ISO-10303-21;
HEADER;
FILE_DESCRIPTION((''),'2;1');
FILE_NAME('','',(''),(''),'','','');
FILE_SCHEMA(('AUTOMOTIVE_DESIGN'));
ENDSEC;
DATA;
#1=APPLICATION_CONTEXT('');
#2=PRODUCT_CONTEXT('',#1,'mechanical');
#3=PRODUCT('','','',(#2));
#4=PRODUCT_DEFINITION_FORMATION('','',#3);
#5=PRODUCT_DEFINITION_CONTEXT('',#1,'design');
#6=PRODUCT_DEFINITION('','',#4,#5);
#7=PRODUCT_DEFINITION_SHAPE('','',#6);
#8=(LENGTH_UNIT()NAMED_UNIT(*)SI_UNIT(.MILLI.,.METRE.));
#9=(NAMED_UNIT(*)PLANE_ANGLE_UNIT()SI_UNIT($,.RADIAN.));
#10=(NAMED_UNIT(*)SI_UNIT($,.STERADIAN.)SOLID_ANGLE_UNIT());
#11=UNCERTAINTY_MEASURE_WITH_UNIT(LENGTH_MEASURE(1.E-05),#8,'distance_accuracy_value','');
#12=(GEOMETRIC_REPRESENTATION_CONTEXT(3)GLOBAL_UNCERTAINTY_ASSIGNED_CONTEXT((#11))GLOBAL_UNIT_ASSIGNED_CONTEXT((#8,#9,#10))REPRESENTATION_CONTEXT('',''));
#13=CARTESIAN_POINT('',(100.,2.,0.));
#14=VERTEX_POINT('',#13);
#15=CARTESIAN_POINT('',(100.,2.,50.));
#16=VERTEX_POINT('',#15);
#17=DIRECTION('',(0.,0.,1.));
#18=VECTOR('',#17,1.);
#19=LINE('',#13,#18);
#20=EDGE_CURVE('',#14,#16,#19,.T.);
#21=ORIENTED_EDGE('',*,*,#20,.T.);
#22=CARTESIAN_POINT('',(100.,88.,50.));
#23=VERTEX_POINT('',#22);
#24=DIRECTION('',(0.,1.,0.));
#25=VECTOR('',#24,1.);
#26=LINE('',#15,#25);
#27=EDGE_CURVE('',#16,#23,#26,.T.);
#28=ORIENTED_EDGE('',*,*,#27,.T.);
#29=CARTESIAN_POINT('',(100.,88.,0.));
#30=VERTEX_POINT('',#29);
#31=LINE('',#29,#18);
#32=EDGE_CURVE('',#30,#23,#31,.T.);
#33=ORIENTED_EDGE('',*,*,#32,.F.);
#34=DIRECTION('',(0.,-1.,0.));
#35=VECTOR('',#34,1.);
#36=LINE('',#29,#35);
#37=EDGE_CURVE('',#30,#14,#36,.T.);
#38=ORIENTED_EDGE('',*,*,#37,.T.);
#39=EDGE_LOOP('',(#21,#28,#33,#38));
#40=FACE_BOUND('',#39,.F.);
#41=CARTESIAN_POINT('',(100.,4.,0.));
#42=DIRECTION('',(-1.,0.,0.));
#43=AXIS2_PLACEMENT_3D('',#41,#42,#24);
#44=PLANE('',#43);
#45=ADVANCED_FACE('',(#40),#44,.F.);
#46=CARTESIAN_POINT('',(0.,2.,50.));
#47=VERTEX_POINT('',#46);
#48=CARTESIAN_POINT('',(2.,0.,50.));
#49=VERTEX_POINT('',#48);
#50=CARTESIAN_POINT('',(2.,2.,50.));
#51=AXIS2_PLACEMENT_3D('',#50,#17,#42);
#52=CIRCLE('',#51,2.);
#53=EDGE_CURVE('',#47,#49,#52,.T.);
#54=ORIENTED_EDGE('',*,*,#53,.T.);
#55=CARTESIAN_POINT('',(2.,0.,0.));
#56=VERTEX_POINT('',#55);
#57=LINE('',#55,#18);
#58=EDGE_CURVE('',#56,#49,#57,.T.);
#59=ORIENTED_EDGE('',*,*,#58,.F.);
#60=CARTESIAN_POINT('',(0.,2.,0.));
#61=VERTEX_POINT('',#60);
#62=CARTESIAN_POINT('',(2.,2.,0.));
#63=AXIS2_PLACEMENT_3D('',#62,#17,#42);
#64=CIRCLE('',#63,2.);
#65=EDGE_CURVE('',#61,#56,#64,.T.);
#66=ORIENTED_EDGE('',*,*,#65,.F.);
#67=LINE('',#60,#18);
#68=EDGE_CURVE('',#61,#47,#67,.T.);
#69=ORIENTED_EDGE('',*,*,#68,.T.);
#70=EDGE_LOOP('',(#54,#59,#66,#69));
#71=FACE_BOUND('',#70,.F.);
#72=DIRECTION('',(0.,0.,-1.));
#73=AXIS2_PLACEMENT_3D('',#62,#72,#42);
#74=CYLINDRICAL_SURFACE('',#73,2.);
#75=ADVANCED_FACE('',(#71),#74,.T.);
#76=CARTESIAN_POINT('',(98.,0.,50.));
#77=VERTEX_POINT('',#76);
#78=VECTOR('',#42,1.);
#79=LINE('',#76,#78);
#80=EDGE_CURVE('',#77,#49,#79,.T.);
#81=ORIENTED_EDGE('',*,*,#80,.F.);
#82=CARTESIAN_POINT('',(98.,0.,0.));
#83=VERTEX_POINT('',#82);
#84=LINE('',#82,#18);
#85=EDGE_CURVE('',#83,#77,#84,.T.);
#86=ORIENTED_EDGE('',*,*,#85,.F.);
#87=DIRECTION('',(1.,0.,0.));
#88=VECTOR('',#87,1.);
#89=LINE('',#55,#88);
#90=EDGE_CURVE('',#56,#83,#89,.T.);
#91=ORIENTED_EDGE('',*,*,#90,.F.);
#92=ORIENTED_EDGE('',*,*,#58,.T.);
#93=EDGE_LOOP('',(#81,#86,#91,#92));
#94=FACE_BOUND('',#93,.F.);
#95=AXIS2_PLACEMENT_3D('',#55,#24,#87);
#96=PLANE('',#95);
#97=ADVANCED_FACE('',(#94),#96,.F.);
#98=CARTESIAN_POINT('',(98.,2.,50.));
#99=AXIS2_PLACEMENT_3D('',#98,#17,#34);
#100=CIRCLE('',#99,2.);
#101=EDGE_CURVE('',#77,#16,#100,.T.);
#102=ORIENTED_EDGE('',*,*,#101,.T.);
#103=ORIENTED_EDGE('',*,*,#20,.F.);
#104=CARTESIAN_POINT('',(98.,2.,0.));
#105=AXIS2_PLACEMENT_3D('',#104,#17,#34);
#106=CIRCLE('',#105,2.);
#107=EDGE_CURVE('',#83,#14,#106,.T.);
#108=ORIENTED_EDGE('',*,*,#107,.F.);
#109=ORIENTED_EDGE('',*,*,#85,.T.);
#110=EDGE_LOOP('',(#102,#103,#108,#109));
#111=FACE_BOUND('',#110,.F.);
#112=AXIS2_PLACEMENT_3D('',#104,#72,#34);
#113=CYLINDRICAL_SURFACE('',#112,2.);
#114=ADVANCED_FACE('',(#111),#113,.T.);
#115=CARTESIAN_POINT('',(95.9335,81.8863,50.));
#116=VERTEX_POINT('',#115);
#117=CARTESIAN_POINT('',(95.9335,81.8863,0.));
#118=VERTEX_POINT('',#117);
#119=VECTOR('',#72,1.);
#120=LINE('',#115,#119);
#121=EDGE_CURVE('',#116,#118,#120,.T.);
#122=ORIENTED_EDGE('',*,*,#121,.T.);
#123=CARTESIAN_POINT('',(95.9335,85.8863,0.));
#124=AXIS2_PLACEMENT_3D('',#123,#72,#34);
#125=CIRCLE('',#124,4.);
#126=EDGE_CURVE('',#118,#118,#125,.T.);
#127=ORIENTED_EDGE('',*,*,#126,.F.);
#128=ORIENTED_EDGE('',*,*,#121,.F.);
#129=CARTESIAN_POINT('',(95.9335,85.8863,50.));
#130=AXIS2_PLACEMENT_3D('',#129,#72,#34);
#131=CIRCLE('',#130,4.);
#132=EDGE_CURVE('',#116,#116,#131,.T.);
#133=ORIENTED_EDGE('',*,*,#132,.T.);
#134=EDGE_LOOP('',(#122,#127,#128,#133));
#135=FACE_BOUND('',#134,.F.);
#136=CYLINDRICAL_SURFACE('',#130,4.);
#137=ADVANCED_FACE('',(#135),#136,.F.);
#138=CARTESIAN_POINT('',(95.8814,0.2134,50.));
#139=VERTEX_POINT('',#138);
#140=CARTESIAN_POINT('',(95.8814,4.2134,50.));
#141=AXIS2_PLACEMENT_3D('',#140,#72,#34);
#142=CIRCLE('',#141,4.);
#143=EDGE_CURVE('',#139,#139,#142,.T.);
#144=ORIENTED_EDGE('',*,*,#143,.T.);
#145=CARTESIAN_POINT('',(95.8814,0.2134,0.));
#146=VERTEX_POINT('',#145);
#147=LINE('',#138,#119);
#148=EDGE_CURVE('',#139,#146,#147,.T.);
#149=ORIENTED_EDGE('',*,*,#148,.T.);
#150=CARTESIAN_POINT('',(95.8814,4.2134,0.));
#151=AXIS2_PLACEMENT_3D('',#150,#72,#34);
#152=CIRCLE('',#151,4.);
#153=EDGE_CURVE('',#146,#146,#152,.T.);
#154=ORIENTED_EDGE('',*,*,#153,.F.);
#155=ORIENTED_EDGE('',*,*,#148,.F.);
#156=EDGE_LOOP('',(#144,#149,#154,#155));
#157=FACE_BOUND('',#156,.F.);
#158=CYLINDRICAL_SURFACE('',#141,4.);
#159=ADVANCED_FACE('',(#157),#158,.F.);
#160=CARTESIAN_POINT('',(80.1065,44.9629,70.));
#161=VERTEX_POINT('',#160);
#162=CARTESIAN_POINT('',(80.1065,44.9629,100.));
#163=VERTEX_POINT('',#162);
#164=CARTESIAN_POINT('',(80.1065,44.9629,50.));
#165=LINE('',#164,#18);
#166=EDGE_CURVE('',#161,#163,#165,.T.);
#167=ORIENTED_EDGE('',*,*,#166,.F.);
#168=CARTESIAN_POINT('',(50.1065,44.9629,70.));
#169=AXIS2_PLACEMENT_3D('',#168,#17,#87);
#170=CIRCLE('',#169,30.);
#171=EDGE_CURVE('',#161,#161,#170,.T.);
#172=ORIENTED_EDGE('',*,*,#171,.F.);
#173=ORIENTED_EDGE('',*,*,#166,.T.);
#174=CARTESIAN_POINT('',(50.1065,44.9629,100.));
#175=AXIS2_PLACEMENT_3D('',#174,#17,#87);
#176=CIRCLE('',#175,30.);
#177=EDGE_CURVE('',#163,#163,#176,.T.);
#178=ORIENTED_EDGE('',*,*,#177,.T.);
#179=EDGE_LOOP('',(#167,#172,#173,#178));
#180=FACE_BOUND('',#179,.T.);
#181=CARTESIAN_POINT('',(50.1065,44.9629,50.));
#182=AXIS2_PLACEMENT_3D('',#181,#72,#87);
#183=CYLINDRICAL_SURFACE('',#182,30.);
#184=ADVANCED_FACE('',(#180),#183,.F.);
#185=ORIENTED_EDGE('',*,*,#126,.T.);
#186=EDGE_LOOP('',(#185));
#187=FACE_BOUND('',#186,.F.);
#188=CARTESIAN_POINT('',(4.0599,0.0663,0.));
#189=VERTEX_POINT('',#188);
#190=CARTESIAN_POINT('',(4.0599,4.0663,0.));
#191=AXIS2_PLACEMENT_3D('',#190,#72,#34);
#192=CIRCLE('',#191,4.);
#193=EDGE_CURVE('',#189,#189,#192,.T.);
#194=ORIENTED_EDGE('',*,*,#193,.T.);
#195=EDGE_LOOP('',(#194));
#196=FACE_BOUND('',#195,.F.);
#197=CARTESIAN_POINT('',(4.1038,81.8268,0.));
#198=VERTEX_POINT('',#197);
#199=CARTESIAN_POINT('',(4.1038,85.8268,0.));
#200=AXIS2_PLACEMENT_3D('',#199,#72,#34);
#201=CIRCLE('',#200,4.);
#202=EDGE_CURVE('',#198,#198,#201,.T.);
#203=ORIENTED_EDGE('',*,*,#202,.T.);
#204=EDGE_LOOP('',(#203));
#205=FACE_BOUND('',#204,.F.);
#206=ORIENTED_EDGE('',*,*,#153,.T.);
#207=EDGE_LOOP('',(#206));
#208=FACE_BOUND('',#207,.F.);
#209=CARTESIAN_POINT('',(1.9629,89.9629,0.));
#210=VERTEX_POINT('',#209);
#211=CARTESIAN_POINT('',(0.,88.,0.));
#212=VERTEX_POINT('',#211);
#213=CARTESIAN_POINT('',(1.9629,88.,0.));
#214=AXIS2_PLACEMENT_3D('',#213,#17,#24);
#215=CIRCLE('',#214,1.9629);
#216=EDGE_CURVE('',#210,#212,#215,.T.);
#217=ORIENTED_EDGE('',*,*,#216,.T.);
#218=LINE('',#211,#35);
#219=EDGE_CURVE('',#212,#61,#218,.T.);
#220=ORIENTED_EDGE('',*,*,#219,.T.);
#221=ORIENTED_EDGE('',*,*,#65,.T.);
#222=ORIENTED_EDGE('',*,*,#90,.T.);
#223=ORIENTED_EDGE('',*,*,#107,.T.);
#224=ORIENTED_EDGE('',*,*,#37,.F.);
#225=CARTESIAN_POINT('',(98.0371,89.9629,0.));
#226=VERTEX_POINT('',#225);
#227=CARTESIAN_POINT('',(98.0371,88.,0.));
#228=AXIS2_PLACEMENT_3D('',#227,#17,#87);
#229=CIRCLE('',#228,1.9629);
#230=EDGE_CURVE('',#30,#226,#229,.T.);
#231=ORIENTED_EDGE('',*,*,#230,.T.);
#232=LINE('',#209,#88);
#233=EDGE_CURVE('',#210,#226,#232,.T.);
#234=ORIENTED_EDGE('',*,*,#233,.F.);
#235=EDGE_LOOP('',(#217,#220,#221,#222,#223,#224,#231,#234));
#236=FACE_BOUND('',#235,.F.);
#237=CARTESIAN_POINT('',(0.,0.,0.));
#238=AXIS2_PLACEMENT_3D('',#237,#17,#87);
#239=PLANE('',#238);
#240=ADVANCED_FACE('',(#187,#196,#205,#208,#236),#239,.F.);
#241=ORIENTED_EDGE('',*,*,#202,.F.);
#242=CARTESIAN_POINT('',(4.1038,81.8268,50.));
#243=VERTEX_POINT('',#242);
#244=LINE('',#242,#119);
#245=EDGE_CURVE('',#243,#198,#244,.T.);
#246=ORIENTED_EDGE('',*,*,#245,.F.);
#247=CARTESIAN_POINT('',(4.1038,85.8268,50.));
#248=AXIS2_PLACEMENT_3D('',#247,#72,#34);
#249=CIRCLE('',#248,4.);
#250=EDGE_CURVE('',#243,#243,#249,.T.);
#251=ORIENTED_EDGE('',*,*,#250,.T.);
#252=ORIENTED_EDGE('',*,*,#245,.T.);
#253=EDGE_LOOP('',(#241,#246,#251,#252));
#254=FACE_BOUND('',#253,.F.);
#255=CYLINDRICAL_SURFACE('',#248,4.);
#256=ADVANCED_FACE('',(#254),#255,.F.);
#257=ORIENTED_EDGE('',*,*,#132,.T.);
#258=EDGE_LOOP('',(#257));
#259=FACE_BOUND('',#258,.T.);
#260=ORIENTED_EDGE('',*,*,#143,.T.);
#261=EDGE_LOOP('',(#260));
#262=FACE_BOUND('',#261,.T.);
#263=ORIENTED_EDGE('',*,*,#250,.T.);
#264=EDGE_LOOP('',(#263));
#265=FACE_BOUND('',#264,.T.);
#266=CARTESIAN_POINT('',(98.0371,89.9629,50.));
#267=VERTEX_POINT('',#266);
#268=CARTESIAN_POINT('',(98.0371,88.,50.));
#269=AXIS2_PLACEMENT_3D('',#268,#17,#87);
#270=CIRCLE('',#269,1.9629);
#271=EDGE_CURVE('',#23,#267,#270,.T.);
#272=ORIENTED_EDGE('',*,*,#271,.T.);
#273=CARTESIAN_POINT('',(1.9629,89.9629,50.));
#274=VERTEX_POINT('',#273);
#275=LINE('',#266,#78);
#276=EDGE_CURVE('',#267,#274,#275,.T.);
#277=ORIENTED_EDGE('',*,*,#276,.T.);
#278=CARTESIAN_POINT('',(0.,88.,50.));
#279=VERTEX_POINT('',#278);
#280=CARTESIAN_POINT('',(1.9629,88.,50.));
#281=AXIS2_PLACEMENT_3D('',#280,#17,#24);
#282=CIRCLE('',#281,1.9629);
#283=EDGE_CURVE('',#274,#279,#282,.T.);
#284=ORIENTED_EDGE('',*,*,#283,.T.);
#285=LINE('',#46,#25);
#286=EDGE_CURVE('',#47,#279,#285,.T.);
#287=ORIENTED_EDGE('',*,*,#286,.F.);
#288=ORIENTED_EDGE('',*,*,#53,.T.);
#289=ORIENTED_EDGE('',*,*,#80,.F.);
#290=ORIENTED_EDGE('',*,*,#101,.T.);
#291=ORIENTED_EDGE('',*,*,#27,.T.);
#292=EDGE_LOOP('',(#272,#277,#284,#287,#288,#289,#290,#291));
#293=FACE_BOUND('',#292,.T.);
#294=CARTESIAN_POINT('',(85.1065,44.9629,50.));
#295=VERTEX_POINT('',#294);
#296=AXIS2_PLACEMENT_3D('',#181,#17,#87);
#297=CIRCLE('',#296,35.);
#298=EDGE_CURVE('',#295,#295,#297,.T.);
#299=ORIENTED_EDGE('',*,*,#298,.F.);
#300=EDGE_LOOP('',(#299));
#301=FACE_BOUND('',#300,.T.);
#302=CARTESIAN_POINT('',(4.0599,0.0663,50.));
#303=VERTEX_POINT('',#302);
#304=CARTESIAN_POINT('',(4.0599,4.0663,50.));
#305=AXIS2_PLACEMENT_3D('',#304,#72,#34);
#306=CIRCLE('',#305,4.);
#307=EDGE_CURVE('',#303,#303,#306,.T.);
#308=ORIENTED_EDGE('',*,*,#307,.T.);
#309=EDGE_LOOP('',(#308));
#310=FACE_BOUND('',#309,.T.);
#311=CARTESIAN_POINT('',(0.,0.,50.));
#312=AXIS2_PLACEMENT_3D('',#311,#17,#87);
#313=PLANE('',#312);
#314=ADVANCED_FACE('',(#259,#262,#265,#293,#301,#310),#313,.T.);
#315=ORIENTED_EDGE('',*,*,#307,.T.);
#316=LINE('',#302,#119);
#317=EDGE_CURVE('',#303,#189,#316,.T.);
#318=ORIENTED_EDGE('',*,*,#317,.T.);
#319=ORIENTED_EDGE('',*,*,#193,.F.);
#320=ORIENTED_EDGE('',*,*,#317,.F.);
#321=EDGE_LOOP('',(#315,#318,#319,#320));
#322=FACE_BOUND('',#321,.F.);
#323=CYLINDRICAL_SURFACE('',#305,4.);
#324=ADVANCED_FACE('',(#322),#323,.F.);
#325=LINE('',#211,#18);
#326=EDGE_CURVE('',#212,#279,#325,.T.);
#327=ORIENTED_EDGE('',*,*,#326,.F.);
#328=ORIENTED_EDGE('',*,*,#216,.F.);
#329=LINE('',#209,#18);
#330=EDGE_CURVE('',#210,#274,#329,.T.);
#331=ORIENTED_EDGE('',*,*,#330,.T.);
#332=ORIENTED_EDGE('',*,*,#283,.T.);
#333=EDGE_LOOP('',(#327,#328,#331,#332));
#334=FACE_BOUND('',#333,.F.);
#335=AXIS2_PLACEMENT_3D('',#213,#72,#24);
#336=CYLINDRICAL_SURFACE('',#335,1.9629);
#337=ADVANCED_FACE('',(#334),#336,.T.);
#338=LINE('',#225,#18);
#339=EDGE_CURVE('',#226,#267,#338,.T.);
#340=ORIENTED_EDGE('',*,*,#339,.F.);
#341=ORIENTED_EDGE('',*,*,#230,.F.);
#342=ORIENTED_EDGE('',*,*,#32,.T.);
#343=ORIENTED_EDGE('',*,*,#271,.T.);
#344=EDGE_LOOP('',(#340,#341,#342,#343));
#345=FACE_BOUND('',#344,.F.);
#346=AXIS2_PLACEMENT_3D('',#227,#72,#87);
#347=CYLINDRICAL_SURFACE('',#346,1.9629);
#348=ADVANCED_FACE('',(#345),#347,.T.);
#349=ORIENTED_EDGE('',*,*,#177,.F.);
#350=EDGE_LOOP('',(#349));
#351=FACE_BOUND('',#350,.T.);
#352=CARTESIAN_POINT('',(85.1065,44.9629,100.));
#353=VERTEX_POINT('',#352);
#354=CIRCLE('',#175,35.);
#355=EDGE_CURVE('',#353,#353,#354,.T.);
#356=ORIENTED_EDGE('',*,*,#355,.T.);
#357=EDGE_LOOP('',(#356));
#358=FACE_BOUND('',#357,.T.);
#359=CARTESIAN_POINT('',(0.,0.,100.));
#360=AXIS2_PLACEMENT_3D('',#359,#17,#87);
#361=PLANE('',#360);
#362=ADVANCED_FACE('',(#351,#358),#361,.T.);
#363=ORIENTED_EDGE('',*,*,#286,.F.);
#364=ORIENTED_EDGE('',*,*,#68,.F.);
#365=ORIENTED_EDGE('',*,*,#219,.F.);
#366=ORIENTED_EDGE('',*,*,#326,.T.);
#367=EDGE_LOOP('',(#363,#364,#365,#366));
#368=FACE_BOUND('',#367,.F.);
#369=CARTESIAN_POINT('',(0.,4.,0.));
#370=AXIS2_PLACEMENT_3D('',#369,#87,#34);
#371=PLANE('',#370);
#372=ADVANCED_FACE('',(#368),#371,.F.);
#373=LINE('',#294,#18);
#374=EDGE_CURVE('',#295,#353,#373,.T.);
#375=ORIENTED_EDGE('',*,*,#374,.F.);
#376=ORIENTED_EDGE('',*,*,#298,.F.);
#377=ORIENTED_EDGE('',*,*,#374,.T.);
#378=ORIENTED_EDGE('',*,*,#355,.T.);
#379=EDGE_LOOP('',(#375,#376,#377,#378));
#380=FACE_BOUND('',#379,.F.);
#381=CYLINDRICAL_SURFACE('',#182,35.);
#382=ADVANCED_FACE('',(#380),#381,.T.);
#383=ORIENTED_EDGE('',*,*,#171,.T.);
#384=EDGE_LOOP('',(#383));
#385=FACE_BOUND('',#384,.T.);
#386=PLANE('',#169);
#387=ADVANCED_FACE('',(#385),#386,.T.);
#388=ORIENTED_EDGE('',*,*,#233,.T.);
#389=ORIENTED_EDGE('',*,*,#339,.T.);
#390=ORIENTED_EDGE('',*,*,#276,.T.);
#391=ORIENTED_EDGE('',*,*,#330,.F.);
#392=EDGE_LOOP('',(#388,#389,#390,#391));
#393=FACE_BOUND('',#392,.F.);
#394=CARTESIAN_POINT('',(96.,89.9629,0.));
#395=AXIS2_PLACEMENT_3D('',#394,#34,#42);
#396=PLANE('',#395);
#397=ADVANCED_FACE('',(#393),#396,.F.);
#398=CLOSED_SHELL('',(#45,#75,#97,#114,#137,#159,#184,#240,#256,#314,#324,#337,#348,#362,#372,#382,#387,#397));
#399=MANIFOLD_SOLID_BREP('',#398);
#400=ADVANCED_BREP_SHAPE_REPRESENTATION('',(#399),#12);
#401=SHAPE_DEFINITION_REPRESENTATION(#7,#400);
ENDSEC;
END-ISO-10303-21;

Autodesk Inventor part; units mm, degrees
ref_plane "YZ Plane" through (0, 0, 0) normal (1, 0, 0) x (0, 1, 0)
ref_plane "XZ Plane" through (0, 0, 0) normal (0, 1, 0) x (-1, 0, 0)
ref_plane "XY Plane" through (0, 0, 0) normal (0, 0, 1) x (1, 0, 0)
sketch "Boceto1" plane through (0, 0, 0) normal (0, 0, 1) x (1, 0, 0)
  line L0 (2, 0) -> (98, 0)
  line L1 (100, 2) -> (100, 88)
  line L2 (98.0371, 89.9629) -> (1.9629, 89.9629)
  line L3 (0, 88) -> (0, 2)
  arc A0 (1.9629, 89.9629) -> (0, 88) centre (1.9629, 88) ccw
  arc A1 (100, 88) -> (98.0371, 89.9629) centre (98.0371, 88) ccw
  arc A2 (0, 2) -> (2, 0) centre (2, 2) ccw
  arc A3 (98, 0) -> (100, 2) centre (98, 2) ccw
  circle A4 centre (4, 85.9629) radius 4
  circle A5 centre (96, 85.9629) radius 4
  circle A6 centre (4, 4) radius 4
  circle A7 centre (96, 4) radius 4
  point P0 (0, 0)
  point P1 (100, 89.9629)
  point P2 (100, 0)
  point P3 (0, 89.9629)
  dimension "d0" = 100
  dimension "d6" = 8
  dimension "d7" = 8
  dimension "d8" = 8
  dimension "d9" = 8
extrude "Extrusión1" add sketch "Boceto1" along normal blind 50
sketch "Boceto2" plane through (0, 0, 50) normal (0, 0, 1) x (1, 0, 0)
  circle A0 centre (4.1038, 85.8268) radius 4
  circle A1 centre (95.7307, 85.8268) radius 4
  point P0 (0, 0)
  dimension "d12" = 8
  dimension "d13" = 8
hole "Agujero1" at (4.1038, 85.8268, 50) direction (0, 0, -1) diameter 8 end through all
sketch "Boceto3" plane through (0, 0, 50) normal (0, 0, 1) x (1, 0, 0)
  circle A0 centre (95.9335, 85.8863) radius 4
  point P0 (0, 0)
  dimension "d21" = 8
hole "Agujero2" at (95.9335, 85.8863, 50) direction (0, 0, -1) diameter 8 end through all
sketch "Boceto4" plane through (0, 0, 50) normal (0, 0, 1) x (1, 0, 0)
  circle A0 centre (95.8814, 4.2134) radius 4
  point P0 (0, 0)
  dimension "d29" = 8
hole "Agujero3" at (95.8814, 4.2134, 50) direction (0, 0, -1) diameter 8 end through all
sketch "Boceto5" plane through (0, 0, 50) normal (0, 0, 1) x (1, 0, 0)
  circle A0 centre (4.0599, 4.0663) radius 4
  point P0 (0, 0)
  dimension "d37" = 8
hole "Agujero4" at (4.0599, 4.0663, 50) direction (0, 0, -1) diameter 8 end through all
sketch "Boceto6" plane through (0, 0, 50) normal (0, 0, 1) x (1, 0, 0)
  circle A0 centre (50.1065, 44.9629) radius 35
  line L0 (98.0371, 89.9629) -> (1.9629, 89.9629) projected
  line L1 (2, 0) -> (98, 0) projected
  circle A1 centre (50.1065, 44.9629) radius 30
  point P0 (0, 0)
  point P1 (50, 89.9629)
  point P2 (50, 0)
  dimension "d45" = 70
  dimension "d48" = 60
extrude "Extrusión2" add sketch "Boceto6" along normal blind 50
sketch "Boceto7" plane through (50.1065, 44.9629, 50) normal (0, 0, 1) x (1, 0, 0)
  circle A0 centre (0, 0) radius 30
  point P0 (-50.1065, -44.9629)
  dimension "d51" = 60
extrude "Extrusión3" add sketch "Boceto7" along normal blind 20
properties part number "dinamica T1"
